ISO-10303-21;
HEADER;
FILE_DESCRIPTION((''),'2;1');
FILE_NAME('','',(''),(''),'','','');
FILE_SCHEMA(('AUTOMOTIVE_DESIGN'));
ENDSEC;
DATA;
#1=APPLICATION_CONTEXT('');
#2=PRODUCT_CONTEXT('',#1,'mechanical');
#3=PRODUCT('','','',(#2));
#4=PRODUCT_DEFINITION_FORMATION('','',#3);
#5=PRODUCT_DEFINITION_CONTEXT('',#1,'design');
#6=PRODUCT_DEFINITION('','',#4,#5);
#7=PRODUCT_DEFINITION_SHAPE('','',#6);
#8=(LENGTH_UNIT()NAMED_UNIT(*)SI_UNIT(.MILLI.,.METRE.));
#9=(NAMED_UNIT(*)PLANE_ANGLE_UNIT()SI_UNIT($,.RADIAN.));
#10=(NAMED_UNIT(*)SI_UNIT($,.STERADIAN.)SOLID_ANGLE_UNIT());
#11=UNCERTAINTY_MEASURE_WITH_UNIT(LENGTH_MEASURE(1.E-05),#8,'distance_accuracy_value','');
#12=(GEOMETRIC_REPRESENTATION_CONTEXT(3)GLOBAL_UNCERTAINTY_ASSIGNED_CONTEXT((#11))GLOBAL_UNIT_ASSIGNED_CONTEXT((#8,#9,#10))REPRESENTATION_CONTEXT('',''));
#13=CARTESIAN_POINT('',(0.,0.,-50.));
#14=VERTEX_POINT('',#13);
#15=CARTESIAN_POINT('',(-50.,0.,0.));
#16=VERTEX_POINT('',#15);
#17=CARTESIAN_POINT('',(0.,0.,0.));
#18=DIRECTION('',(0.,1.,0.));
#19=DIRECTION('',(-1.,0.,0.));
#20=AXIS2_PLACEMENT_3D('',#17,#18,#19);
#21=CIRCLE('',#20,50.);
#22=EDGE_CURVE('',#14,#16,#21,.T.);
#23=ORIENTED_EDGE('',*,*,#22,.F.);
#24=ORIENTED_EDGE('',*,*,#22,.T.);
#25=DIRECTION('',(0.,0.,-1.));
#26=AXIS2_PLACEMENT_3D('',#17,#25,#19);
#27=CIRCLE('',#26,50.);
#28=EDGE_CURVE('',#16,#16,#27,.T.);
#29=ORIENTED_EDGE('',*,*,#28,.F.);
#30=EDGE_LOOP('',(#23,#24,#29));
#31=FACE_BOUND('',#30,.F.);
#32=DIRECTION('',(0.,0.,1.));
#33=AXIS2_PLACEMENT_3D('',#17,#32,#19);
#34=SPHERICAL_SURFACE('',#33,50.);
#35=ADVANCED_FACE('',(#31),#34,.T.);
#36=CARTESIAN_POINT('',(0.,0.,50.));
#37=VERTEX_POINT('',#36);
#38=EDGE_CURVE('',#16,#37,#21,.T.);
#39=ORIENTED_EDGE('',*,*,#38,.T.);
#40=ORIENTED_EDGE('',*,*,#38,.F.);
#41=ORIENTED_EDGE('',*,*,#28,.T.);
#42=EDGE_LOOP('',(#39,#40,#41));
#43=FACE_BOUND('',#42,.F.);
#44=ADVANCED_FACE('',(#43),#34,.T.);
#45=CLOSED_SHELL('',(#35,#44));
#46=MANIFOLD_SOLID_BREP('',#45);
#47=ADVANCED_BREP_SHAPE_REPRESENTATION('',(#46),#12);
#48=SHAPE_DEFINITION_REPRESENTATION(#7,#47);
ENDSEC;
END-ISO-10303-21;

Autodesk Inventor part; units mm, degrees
ref_plane "YZ Plane" through (0, 0, 0) normal (1, 0, 0) x (0, 1, 0)
ref_plane "XZ Plane" through (0, 0, 0) normal (0, 1, 0) x (-1, 0, 0)
ref_plane "XY Plane" through (0, 0, 0) normal (0, 0, 1) x (1, 0, 0)
sketch "Sketch1" plane through (0, 0, 0) normal (0, 1, 0) x (-1, 0, 0)
  circle A0 centre (0, 0) radius 50
  line L0 (0, 50) -> (0, -50)
  dimension "d0" = 100
revolve "Revolution1" add sketch "Sketch1" angle 360 about axis through (0, 0, 50) along (0, 0, -1) picked at (11.7851, 11.7851) contours A0 L0
properties part number "Objective_10mm_Ball_Manual"
